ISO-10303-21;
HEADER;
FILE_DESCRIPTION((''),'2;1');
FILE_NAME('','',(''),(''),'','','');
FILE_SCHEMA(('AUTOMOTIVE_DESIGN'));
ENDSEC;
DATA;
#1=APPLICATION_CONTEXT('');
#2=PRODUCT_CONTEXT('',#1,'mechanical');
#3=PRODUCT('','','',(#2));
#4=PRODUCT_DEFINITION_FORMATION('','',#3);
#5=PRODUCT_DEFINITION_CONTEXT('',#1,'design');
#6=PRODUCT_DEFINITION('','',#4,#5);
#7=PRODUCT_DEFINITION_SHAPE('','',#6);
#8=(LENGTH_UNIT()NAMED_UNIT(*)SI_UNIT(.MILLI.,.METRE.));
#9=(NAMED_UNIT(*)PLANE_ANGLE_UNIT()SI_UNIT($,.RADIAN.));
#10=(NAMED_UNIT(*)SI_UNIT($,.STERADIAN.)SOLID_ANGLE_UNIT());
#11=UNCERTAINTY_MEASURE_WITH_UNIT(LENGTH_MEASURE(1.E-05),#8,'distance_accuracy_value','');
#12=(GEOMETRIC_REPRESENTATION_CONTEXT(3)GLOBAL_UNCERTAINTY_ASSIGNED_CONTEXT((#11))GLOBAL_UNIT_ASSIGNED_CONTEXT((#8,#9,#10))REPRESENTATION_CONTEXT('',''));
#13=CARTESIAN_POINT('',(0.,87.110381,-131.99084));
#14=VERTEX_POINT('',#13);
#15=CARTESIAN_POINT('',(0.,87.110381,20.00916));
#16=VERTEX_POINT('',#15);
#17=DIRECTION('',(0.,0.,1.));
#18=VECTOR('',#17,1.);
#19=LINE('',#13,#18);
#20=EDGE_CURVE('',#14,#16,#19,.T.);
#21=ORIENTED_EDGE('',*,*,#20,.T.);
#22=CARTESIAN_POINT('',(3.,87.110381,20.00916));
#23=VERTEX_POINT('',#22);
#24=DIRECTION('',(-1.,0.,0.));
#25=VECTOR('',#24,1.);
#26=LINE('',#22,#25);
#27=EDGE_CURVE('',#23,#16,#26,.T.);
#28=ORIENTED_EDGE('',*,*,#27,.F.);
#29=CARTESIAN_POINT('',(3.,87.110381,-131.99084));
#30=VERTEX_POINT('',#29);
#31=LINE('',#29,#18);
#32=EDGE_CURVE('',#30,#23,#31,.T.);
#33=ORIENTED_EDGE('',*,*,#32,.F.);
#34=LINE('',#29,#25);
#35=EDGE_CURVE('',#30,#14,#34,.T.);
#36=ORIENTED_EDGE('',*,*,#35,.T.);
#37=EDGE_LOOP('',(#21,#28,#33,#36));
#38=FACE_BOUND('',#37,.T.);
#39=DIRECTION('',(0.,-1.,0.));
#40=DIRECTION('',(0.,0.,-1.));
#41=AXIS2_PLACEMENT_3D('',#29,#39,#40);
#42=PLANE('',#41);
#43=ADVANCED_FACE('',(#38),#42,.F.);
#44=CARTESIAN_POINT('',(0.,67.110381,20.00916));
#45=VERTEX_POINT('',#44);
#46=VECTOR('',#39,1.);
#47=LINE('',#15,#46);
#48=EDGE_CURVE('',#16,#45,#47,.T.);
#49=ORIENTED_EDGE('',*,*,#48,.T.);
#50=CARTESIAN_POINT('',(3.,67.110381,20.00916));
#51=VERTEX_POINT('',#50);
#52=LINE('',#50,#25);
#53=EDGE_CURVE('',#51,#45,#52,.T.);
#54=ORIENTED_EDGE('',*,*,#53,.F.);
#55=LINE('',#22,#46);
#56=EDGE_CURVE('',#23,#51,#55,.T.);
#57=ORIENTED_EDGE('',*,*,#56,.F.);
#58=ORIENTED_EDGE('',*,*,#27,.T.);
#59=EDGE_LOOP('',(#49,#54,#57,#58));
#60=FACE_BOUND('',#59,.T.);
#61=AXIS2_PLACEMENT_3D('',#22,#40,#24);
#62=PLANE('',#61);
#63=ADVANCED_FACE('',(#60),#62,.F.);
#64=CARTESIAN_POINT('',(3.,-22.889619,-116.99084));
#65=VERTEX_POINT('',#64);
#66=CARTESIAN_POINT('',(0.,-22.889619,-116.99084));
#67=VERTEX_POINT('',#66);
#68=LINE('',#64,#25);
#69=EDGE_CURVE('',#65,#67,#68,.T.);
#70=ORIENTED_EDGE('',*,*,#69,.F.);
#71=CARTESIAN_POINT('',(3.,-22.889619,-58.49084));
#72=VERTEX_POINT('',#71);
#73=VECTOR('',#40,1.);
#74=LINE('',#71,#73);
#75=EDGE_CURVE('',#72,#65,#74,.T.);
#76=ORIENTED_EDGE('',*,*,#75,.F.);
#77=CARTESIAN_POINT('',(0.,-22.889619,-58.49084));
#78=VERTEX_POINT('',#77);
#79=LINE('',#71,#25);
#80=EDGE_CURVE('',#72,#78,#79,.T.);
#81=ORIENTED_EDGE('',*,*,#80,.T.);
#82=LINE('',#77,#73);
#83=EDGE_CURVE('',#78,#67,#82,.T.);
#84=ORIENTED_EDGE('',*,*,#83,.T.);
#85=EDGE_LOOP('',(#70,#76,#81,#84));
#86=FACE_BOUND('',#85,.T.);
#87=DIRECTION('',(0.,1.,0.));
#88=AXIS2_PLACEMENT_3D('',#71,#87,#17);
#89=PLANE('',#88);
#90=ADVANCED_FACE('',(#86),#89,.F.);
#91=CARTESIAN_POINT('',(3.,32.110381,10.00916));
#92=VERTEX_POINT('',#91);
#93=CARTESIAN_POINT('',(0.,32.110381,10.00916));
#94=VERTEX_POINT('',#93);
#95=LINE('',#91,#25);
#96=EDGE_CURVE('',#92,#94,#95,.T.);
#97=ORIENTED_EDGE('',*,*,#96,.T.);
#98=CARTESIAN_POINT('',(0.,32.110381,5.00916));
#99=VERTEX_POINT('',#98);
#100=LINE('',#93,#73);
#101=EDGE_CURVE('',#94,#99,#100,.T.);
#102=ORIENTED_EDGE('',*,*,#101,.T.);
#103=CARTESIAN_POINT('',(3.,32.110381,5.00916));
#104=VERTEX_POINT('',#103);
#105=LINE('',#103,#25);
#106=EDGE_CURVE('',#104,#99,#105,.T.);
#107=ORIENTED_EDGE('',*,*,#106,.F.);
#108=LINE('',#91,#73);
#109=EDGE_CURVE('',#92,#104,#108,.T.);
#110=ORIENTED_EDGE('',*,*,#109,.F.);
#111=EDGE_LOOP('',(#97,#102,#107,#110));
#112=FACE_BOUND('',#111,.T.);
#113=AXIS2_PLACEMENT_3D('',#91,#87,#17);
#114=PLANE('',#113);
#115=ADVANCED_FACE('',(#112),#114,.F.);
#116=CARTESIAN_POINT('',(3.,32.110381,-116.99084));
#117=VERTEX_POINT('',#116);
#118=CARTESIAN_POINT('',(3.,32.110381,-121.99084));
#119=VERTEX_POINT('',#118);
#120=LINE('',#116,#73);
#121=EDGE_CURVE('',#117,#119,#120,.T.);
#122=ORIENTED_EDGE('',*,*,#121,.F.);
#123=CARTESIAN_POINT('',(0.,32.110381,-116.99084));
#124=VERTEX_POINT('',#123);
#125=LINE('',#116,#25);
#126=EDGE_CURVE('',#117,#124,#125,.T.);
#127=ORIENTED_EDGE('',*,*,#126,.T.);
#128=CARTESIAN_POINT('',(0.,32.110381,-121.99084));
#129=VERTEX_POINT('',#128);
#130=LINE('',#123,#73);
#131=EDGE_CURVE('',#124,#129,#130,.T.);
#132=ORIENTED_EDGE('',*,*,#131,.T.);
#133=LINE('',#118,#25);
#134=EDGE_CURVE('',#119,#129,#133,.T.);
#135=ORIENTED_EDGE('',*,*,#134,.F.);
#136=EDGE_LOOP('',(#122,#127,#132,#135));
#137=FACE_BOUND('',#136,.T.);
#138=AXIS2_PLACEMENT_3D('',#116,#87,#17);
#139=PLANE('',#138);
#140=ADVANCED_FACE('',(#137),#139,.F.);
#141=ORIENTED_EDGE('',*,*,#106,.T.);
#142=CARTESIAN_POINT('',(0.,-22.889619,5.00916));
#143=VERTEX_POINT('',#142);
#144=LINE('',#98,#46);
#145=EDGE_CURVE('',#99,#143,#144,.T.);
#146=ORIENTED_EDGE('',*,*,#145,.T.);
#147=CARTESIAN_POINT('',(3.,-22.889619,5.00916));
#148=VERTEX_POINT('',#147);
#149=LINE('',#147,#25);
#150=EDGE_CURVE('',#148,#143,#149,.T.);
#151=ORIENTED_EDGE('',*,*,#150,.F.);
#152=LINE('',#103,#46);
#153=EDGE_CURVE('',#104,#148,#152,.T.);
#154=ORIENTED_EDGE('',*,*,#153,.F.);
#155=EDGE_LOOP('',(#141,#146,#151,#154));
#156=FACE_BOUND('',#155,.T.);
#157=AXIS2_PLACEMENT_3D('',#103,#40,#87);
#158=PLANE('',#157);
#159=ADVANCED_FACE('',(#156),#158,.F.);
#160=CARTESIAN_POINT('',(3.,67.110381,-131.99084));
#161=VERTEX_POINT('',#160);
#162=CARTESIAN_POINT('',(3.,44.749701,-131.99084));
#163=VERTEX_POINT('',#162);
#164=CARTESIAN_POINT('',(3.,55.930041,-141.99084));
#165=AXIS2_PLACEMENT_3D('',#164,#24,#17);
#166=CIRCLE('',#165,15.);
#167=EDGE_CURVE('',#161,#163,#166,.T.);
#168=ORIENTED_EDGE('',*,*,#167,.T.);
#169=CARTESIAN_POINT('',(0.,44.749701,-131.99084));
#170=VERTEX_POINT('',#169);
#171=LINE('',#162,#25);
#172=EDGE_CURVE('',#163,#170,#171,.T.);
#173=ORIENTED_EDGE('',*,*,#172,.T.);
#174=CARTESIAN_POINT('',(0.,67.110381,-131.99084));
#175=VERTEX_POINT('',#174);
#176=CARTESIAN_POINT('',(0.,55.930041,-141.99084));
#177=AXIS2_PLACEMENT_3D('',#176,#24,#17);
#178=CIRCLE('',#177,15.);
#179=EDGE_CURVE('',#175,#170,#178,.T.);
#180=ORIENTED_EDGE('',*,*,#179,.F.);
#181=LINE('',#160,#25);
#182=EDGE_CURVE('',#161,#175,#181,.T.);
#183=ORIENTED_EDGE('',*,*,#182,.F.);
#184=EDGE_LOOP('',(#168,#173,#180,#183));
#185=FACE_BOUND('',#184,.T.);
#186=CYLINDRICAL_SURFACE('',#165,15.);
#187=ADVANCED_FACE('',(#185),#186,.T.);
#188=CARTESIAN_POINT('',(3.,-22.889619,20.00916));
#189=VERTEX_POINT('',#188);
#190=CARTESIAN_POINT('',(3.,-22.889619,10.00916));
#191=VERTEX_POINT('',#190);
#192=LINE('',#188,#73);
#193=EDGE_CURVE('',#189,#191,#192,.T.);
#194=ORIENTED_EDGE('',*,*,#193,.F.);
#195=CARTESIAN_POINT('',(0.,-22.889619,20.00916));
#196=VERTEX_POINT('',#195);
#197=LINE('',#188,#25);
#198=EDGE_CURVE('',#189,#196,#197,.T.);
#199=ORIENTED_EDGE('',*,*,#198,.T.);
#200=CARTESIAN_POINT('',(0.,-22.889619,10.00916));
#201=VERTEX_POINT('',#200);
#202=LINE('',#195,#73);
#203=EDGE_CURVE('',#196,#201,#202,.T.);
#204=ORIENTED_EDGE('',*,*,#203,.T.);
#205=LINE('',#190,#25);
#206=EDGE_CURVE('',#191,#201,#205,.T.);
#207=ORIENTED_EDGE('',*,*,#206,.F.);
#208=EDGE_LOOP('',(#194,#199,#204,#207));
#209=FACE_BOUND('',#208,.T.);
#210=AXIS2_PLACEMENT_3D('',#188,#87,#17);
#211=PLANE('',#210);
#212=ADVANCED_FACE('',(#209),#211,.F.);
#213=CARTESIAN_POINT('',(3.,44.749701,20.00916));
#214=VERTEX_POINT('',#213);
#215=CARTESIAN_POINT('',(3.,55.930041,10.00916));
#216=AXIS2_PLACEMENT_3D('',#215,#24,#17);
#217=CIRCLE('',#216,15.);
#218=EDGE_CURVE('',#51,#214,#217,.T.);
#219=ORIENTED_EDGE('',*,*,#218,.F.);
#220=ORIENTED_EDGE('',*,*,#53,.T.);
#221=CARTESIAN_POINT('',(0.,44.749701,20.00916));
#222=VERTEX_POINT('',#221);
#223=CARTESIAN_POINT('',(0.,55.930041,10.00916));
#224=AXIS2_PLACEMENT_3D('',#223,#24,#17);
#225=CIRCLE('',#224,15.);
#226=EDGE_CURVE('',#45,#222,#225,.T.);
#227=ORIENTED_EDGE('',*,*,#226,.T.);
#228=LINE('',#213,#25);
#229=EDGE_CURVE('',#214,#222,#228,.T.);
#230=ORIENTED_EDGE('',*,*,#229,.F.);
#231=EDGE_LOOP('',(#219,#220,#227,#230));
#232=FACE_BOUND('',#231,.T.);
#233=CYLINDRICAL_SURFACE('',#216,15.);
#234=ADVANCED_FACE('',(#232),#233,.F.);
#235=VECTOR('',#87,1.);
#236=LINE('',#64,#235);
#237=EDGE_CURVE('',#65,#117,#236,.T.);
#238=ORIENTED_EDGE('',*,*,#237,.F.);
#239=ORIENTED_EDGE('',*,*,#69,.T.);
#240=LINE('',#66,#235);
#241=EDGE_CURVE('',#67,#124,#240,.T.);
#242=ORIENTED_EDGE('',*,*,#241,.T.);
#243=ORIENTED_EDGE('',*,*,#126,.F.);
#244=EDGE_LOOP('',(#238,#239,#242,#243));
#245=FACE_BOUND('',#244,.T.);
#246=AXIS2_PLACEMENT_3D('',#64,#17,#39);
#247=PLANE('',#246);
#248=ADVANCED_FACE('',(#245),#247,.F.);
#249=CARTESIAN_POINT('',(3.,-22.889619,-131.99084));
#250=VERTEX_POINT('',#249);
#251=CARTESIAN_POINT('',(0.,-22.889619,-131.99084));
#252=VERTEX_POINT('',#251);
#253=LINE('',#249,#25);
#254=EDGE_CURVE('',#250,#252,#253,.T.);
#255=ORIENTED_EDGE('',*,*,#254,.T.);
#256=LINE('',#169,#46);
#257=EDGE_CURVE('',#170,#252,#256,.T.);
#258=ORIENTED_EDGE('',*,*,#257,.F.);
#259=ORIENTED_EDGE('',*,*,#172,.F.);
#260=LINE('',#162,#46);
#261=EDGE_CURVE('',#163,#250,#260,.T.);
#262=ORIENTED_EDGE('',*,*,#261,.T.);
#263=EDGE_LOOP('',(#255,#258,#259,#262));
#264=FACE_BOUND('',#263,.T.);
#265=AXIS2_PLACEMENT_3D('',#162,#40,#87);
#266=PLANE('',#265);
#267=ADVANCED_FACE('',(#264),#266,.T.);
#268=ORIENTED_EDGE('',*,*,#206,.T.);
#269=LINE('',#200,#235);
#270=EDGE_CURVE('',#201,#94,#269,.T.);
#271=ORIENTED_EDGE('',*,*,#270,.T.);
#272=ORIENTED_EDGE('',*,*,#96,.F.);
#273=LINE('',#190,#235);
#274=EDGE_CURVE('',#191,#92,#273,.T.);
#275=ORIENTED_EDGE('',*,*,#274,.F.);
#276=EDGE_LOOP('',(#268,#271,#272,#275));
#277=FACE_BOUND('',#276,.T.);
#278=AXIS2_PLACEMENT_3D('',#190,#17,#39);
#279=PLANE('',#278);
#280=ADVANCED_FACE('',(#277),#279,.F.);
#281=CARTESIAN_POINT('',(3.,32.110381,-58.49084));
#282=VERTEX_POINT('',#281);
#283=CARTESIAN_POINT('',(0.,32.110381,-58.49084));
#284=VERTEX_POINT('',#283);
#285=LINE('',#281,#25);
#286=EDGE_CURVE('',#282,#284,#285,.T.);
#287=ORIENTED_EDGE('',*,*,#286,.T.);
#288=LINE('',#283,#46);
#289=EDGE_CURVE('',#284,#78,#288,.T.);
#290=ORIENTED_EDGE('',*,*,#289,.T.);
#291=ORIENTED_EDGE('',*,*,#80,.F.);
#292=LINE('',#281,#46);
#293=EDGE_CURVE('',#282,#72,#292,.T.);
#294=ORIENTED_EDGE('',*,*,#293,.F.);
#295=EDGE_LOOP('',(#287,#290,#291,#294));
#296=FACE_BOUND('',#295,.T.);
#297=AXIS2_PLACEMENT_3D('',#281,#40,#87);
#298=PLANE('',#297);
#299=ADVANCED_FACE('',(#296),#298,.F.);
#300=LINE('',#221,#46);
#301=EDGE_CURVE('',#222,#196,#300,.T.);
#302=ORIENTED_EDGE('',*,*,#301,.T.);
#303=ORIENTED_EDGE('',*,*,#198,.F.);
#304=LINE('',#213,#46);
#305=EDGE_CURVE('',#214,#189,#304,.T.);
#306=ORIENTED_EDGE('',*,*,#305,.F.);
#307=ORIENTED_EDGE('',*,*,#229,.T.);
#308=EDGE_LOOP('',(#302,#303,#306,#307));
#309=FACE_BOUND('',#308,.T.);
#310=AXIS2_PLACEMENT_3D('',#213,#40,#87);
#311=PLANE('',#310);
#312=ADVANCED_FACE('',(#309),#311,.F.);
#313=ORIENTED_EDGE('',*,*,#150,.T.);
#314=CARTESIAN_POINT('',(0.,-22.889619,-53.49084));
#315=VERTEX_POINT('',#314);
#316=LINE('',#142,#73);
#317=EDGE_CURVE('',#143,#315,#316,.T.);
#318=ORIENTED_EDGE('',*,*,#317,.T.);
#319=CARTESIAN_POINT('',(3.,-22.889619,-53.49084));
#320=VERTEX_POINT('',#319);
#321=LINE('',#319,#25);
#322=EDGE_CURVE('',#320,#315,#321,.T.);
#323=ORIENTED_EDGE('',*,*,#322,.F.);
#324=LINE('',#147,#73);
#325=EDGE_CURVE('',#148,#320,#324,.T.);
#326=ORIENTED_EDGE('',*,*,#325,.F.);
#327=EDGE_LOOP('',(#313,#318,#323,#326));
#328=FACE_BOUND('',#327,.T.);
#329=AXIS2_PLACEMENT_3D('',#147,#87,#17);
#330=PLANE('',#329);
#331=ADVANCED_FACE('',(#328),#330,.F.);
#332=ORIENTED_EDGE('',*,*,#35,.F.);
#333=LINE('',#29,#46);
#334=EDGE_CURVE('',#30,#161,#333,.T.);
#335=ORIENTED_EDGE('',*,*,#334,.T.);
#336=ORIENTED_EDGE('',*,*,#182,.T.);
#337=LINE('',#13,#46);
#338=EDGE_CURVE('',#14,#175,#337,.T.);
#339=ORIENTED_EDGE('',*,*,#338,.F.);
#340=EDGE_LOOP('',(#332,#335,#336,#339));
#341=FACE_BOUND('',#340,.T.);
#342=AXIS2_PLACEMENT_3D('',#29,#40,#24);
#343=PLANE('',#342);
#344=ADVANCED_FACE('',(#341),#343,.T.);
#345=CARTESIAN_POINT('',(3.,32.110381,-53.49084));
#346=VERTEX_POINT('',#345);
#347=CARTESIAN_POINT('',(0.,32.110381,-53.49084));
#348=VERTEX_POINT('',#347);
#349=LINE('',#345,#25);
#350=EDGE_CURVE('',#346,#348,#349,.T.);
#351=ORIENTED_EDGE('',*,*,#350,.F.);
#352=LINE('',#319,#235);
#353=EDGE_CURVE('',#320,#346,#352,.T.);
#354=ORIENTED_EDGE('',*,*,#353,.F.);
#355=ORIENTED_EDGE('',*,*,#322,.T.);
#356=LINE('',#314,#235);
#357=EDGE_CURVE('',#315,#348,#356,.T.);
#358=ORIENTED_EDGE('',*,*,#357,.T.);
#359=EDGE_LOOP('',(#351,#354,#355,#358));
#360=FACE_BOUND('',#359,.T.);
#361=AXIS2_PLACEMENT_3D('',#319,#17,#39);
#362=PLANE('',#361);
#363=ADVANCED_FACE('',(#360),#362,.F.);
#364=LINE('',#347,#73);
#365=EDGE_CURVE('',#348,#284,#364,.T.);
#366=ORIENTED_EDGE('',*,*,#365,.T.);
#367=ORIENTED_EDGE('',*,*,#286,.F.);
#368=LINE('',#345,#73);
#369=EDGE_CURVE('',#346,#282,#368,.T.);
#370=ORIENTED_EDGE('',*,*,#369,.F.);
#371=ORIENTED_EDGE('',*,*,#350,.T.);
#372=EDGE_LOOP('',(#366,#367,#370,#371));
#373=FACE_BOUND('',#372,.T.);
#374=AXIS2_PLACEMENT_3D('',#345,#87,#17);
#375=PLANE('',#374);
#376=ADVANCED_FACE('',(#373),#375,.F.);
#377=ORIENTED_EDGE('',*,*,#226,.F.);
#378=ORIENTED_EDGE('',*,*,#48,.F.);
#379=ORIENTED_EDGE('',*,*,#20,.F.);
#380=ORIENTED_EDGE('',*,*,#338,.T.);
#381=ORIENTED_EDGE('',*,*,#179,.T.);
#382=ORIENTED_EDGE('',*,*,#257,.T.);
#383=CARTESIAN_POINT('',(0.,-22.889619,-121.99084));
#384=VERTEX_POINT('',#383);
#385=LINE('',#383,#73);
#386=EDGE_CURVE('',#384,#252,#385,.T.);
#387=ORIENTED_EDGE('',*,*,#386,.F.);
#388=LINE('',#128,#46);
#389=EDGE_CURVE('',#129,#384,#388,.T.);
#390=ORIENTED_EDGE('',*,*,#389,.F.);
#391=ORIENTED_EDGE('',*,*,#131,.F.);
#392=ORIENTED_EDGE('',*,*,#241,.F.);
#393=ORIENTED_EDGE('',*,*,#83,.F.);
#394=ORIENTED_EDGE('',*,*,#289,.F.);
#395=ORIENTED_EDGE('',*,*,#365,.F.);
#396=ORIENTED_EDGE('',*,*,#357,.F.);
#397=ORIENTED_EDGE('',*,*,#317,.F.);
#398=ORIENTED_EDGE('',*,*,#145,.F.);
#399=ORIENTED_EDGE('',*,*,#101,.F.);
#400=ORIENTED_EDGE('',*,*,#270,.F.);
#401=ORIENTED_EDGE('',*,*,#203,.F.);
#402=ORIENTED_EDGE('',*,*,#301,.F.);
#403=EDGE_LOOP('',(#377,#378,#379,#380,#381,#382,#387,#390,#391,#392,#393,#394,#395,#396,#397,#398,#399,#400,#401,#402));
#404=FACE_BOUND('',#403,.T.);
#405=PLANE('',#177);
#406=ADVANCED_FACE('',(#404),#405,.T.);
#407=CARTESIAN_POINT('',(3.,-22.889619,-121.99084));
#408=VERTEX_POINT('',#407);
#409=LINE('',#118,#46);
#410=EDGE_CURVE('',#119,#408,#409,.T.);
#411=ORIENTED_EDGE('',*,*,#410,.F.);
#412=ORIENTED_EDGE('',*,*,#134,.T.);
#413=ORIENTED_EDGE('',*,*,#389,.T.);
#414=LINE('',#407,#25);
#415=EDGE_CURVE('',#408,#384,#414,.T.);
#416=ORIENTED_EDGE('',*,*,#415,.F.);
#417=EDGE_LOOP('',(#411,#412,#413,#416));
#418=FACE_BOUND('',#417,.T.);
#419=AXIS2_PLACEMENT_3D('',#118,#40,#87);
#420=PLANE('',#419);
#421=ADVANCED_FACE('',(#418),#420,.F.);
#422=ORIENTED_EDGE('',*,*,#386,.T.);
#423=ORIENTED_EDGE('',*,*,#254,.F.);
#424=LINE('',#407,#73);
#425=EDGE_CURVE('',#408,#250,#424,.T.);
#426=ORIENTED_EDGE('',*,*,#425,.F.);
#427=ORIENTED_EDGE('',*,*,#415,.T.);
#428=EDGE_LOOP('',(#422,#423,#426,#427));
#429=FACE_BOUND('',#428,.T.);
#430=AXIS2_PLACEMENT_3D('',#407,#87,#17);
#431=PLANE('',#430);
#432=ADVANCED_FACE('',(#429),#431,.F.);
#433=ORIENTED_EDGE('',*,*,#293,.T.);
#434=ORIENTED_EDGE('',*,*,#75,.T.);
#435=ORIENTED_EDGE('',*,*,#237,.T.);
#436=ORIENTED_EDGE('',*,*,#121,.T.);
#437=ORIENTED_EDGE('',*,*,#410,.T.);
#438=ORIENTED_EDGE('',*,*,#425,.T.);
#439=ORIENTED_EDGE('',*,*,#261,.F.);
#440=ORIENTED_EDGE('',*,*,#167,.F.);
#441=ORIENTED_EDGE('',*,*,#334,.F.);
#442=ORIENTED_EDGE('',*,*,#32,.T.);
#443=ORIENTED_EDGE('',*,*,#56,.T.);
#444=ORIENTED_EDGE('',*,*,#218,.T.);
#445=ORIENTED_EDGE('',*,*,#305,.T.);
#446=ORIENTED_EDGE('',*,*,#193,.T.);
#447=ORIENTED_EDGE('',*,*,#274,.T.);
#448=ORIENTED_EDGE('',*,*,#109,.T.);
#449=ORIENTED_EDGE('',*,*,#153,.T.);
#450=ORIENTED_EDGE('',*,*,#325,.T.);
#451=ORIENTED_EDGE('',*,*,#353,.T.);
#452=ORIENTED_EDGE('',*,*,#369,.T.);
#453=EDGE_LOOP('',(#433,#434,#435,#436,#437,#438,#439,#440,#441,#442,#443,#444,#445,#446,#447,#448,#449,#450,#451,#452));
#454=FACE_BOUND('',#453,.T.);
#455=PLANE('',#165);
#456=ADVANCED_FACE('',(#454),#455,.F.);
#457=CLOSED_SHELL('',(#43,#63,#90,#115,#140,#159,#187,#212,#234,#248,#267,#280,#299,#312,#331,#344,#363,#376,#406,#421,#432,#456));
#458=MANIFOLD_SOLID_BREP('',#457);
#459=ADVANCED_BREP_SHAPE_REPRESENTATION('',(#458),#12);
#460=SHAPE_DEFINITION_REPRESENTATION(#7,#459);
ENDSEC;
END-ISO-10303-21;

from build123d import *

# Parameters (mm, degrees)
BOSS_EXTRU_1_DEPTH = 3


with BuildPart() as part:
    # Esquisse2 → Boss.-Extru.1 (new body)
    with BuildSketch(Plane(origin=(0, 0, -25.32076404), x_dir=(0, 0, -1), z_dir=(1, 0, 0))):
        with BuildLine():
            Line((-45.329923666, 87.110380525), (-45.329923666, 67.110380525))
            ThreePointArc((-45.329923666, 67.110380525), (-20.329923666, 55.930040637), (-45.329923666, 44.74970075))
            Line((-45.329923666, 44.74970075), (-45.329923666, -22.889619475))
            Line((-45.329923666, -22.889619475), (-35.329923666, -22.889619475))
            Line((-35.329923666, -22.889619475), (-35.329923666, 32.110380525))
            Line((-35.329923666, 32.110380525), (-30.329923666, 32.110380525))
            Line((-30.329923666, 32.110380525), (-30.329923666, -22.889619475))
            Line((-30.329923666, -22.889619475), (28.170076334, -22.889619475))
            Line((28.170076334, -22.889619475), (28.170076334, 32.110380525))
            Line((28.170076334, 32.110380525), (33.170076334, 32.110380525))
            Line((33.170076334, 32.110380525), (33.170076334, -22.889619475))
            Line((33.170076334, -22.889619475), (91.670076334, -22.889619475))
            Line((91.670076334, -22.889619475), (91.670076334, 32.110380525))
            Line((91.670076334, 32.110380525), (96.670076334, 32.110380525))
            Line((96.670076334, 32.110380525), (96.670076334, -22.889619475))
            Line((96.670076334, -22.889619475), (106.670076334, -22.889619475))
            Line((106.670076334, -22.889619475), (106.670076334, 44.74970075))
            ThreePointArc((106.670076334, 44.74970075), (131.670076334, 55.930040637), (106.670076334, 67.110380525))
            Line((106.670076334, 67.110380525), (106.670076334, 87.110380525))
            Line((106.670076334, 87.110380525), (-45.329923666, 87.110380525))
        make_face()
    extrude(amount=BOSS_EXTRU_1_DEPTH)


solid = part.part
